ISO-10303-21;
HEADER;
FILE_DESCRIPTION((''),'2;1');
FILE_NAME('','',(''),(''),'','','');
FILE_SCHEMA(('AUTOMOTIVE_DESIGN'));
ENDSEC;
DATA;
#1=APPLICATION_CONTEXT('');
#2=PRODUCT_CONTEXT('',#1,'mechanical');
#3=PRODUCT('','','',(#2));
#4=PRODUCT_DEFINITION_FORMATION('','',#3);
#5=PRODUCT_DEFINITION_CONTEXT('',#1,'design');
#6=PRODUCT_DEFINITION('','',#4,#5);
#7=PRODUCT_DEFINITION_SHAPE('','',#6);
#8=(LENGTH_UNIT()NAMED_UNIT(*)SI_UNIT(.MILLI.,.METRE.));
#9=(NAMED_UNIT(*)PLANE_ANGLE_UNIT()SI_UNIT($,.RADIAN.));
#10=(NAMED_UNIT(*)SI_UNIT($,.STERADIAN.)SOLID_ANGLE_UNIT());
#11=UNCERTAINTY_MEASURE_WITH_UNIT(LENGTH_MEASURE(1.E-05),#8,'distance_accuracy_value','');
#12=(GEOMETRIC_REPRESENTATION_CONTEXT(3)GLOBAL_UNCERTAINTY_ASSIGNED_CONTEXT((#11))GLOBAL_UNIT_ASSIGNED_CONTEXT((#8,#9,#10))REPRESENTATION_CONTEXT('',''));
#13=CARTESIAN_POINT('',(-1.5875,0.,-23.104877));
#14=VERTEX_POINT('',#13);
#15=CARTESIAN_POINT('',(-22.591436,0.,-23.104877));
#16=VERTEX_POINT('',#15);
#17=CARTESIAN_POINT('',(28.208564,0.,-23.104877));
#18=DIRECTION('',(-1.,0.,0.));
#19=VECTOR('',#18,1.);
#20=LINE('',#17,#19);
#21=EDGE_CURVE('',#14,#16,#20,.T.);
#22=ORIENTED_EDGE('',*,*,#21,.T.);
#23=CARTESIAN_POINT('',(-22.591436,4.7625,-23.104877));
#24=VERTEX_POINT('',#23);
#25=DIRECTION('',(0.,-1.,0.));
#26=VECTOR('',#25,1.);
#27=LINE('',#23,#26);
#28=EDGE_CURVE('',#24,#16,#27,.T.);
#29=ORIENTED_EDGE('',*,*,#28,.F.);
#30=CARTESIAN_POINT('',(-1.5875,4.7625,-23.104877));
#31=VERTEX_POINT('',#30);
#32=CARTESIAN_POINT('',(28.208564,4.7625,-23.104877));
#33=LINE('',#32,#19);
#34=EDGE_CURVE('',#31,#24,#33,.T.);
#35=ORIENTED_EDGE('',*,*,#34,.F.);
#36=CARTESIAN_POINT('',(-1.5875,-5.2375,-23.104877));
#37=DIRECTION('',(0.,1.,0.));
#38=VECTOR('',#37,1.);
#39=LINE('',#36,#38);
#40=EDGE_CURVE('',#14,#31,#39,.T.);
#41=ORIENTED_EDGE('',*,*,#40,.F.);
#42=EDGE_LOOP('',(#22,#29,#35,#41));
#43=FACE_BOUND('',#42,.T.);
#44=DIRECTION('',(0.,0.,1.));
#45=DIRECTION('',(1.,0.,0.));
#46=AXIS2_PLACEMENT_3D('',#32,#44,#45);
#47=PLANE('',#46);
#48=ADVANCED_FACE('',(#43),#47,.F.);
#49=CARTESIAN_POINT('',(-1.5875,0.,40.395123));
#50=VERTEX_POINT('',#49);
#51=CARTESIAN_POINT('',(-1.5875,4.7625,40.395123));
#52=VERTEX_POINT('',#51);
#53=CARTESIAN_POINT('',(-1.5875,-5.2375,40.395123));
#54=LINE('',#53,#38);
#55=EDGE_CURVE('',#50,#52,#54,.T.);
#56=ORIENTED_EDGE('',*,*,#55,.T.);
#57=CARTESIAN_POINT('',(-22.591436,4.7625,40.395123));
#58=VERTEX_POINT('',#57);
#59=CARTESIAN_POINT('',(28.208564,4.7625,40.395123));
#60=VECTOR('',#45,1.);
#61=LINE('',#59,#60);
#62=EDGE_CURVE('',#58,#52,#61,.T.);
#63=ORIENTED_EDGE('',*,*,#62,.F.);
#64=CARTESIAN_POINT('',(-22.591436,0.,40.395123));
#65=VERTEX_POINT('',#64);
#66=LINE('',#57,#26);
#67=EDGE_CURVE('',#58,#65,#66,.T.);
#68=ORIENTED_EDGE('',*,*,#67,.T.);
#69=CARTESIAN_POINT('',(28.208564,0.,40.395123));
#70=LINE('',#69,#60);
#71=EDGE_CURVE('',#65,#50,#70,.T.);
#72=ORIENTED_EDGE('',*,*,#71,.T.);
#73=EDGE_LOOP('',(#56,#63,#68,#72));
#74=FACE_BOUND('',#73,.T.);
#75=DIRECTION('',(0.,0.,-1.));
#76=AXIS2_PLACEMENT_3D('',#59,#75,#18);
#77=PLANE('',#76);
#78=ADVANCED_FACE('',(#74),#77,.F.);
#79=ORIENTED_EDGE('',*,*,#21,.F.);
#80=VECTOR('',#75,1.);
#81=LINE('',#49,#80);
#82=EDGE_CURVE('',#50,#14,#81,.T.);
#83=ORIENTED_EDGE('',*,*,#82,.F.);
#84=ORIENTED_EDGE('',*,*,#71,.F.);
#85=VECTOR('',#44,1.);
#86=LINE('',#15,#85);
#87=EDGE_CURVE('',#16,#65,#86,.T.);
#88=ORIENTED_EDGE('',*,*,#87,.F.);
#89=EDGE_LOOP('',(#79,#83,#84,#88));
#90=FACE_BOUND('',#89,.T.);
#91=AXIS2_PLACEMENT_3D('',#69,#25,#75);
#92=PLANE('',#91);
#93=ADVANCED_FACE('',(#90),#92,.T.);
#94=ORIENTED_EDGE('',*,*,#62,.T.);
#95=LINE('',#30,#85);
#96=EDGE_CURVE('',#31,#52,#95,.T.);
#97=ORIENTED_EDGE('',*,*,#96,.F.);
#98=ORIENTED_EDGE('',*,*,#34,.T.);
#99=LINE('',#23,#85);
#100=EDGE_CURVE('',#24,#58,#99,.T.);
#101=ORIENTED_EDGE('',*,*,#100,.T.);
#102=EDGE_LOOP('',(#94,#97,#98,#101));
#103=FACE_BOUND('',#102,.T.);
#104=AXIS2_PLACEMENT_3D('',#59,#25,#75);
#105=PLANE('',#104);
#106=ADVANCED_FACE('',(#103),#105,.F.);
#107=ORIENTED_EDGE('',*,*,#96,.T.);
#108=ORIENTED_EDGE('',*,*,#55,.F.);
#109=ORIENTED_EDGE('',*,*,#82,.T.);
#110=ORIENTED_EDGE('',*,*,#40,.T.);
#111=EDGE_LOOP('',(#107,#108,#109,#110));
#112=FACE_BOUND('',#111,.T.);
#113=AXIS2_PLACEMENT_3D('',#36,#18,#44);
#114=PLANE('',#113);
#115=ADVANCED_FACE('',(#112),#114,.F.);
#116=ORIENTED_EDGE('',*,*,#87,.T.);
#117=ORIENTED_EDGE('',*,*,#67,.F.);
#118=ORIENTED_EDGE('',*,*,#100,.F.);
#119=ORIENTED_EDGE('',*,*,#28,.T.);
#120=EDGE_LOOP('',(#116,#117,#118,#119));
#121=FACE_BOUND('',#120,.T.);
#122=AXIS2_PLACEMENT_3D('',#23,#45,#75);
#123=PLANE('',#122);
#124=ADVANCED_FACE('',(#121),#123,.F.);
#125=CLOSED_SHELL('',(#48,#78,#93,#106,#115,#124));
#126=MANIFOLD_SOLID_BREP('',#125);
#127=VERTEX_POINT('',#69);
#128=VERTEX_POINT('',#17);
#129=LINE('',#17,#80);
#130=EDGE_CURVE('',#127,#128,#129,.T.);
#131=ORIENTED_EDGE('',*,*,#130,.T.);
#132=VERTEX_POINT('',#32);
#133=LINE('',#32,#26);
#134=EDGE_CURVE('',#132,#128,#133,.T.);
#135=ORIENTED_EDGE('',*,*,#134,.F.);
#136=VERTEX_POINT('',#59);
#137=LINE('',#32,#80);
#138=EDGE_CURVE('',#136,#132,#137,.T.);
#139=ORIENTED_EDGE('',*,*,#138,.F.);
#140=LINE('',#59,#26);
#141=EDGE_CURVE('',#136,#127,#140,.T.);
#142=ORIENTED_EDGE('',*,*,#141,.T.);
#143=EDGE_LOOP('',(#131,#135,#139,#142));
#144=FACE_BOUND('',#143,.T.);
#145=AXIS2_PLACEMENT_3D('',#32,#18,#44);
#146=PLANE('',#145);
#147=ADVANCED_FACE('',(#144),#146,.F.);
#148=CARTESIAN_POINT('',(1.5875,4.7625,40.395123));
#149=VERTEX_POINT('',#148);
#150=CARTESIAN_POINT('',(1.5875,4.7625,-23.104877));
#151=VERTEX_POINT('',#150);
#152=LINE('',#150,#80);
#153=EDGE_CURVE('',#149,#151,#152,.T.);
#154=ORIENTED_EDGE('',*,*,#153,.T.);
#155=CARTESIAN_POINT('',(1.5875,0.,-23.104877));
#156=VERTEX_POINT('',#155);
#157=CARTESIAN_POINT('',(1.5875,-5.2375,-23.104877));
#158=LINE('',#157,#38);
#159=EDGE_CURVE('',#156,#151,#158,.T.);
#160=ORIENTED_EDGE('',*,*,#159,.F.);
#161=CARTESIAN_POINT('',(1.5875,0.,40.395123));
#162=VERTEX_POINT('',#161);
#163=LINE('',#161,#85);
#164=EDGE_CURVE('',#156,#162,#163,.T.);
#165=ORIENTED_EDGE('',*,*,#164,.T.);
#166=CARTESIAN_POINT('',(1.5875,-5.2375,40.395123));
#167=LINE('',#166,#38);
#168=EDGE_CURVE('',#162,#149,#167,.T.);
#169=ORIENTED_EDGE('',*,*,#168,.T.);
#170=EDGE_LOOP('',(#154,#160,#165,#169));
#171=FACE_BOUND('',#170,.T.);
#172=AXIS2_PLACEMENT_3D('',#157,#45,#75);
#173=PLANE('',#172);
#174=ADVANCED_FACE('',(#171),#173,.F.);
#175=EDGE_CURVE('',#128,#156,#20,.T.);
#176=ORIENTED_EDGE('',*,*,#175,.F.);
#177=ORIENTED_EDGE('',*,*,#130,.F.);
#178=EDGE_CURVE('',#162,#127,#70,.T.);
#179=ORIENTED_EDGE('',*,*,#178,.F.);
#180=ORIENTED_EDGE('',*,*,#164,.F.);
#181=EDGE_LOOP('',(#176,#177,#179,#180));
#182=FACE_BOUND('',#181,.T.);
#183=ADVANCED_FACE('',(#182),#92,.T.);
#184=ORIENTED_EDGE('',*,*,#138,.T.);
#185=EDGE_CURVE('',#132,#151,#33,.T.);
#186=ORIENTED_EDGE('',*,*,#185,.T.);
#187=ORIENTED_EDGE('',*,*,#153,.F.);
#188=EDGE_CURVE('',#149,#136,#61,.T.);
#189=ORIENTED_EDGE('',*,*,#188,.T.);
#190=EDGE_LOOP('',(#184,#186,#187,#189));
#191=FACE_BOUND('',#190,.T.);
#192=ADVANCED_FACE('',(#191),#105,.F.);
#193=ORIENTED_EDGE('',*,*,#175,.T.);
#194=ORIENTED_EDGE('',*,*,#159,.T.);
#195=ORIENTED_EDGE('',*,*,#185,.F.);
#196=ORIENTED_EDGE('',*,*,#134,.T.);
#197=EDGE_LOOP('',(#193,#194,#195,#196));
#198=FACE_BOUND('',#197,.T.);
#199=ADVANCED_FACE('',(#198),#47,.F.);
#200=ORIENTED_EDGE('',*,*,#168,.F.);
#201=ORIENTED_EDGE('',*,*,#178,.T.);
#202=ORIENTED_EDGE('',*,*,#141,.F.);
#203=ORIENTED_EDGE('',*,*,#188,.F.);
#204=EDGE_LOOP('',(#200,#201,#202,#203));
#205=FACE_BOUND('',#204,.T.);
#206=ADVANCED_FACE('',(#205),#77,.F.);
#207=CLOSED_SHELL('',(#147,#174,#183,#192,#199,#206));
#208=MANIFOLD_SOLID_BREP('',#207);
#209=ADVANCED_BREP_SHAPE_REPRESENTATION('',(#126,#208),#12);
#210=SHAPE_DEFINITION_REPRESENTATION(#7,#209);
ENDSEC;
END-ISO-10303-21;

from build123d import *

# Parameters (mm, degrees)
SKETCH1_W           = 50.8
SKETCH1_H           = 63.5
BOSS_EXTRUDE1_DEPTH = 4.7625
SKETCH2_W           = 3.175
SKETCH2_H           = 63.5
CUT_EXTRUDE1_DEPTH  = 10


with BuildPart() as part:
    # Sketch1 → Boss-Extrude1 (new body)
    with BuildSketch(Plane(origin=(0, 0, 0), x_dir=(1, 0, 0), z_dir=(0, 1, 0))):
        with Locations((2.808564244, -8.645122522)):
            Rectangle(SKETCH1_W, SKETCH1_H)
    extrude(amount=BOSS_EXTRUDE1_DEPTH)

    # Sketch2 → Cut-Extrude1 (cut)
    with BuildSketch(Plane(origin=(0, 4.7625, 0), x_dir=(1, 0, 0), z_dir=(0, 1, 0))):
        with Locations((0, -8.645122522)):
            Rectangle(SKETCH2_W, SKETCH2_H)
    extrude(amount=-CUT_EXTRUDE1_DEPTH, mode=Mode.SUBTRACT)


with BuildPart() as cut_extrude1_piece_1:
    # of the separate pieces the step leaves, piece 1, a body of its own (cut_extrude1_pieces)
    add(part.part.solids().sort_by_distance((28.208564244, 0, -23.104877478))[0])


with BuildPart() as cut_extrude1_piece_2:
    # of the separate pieces the step leaves, piece 2, a body of its own (cut_extrude1_pieces)
    add(part.part.solids().sort_by_distance((-1.5875, 0, -23.104877478))[0])


solid = Compound([cut_extrude1_piece_1.part, cut_extrude1_piece_2.part])
